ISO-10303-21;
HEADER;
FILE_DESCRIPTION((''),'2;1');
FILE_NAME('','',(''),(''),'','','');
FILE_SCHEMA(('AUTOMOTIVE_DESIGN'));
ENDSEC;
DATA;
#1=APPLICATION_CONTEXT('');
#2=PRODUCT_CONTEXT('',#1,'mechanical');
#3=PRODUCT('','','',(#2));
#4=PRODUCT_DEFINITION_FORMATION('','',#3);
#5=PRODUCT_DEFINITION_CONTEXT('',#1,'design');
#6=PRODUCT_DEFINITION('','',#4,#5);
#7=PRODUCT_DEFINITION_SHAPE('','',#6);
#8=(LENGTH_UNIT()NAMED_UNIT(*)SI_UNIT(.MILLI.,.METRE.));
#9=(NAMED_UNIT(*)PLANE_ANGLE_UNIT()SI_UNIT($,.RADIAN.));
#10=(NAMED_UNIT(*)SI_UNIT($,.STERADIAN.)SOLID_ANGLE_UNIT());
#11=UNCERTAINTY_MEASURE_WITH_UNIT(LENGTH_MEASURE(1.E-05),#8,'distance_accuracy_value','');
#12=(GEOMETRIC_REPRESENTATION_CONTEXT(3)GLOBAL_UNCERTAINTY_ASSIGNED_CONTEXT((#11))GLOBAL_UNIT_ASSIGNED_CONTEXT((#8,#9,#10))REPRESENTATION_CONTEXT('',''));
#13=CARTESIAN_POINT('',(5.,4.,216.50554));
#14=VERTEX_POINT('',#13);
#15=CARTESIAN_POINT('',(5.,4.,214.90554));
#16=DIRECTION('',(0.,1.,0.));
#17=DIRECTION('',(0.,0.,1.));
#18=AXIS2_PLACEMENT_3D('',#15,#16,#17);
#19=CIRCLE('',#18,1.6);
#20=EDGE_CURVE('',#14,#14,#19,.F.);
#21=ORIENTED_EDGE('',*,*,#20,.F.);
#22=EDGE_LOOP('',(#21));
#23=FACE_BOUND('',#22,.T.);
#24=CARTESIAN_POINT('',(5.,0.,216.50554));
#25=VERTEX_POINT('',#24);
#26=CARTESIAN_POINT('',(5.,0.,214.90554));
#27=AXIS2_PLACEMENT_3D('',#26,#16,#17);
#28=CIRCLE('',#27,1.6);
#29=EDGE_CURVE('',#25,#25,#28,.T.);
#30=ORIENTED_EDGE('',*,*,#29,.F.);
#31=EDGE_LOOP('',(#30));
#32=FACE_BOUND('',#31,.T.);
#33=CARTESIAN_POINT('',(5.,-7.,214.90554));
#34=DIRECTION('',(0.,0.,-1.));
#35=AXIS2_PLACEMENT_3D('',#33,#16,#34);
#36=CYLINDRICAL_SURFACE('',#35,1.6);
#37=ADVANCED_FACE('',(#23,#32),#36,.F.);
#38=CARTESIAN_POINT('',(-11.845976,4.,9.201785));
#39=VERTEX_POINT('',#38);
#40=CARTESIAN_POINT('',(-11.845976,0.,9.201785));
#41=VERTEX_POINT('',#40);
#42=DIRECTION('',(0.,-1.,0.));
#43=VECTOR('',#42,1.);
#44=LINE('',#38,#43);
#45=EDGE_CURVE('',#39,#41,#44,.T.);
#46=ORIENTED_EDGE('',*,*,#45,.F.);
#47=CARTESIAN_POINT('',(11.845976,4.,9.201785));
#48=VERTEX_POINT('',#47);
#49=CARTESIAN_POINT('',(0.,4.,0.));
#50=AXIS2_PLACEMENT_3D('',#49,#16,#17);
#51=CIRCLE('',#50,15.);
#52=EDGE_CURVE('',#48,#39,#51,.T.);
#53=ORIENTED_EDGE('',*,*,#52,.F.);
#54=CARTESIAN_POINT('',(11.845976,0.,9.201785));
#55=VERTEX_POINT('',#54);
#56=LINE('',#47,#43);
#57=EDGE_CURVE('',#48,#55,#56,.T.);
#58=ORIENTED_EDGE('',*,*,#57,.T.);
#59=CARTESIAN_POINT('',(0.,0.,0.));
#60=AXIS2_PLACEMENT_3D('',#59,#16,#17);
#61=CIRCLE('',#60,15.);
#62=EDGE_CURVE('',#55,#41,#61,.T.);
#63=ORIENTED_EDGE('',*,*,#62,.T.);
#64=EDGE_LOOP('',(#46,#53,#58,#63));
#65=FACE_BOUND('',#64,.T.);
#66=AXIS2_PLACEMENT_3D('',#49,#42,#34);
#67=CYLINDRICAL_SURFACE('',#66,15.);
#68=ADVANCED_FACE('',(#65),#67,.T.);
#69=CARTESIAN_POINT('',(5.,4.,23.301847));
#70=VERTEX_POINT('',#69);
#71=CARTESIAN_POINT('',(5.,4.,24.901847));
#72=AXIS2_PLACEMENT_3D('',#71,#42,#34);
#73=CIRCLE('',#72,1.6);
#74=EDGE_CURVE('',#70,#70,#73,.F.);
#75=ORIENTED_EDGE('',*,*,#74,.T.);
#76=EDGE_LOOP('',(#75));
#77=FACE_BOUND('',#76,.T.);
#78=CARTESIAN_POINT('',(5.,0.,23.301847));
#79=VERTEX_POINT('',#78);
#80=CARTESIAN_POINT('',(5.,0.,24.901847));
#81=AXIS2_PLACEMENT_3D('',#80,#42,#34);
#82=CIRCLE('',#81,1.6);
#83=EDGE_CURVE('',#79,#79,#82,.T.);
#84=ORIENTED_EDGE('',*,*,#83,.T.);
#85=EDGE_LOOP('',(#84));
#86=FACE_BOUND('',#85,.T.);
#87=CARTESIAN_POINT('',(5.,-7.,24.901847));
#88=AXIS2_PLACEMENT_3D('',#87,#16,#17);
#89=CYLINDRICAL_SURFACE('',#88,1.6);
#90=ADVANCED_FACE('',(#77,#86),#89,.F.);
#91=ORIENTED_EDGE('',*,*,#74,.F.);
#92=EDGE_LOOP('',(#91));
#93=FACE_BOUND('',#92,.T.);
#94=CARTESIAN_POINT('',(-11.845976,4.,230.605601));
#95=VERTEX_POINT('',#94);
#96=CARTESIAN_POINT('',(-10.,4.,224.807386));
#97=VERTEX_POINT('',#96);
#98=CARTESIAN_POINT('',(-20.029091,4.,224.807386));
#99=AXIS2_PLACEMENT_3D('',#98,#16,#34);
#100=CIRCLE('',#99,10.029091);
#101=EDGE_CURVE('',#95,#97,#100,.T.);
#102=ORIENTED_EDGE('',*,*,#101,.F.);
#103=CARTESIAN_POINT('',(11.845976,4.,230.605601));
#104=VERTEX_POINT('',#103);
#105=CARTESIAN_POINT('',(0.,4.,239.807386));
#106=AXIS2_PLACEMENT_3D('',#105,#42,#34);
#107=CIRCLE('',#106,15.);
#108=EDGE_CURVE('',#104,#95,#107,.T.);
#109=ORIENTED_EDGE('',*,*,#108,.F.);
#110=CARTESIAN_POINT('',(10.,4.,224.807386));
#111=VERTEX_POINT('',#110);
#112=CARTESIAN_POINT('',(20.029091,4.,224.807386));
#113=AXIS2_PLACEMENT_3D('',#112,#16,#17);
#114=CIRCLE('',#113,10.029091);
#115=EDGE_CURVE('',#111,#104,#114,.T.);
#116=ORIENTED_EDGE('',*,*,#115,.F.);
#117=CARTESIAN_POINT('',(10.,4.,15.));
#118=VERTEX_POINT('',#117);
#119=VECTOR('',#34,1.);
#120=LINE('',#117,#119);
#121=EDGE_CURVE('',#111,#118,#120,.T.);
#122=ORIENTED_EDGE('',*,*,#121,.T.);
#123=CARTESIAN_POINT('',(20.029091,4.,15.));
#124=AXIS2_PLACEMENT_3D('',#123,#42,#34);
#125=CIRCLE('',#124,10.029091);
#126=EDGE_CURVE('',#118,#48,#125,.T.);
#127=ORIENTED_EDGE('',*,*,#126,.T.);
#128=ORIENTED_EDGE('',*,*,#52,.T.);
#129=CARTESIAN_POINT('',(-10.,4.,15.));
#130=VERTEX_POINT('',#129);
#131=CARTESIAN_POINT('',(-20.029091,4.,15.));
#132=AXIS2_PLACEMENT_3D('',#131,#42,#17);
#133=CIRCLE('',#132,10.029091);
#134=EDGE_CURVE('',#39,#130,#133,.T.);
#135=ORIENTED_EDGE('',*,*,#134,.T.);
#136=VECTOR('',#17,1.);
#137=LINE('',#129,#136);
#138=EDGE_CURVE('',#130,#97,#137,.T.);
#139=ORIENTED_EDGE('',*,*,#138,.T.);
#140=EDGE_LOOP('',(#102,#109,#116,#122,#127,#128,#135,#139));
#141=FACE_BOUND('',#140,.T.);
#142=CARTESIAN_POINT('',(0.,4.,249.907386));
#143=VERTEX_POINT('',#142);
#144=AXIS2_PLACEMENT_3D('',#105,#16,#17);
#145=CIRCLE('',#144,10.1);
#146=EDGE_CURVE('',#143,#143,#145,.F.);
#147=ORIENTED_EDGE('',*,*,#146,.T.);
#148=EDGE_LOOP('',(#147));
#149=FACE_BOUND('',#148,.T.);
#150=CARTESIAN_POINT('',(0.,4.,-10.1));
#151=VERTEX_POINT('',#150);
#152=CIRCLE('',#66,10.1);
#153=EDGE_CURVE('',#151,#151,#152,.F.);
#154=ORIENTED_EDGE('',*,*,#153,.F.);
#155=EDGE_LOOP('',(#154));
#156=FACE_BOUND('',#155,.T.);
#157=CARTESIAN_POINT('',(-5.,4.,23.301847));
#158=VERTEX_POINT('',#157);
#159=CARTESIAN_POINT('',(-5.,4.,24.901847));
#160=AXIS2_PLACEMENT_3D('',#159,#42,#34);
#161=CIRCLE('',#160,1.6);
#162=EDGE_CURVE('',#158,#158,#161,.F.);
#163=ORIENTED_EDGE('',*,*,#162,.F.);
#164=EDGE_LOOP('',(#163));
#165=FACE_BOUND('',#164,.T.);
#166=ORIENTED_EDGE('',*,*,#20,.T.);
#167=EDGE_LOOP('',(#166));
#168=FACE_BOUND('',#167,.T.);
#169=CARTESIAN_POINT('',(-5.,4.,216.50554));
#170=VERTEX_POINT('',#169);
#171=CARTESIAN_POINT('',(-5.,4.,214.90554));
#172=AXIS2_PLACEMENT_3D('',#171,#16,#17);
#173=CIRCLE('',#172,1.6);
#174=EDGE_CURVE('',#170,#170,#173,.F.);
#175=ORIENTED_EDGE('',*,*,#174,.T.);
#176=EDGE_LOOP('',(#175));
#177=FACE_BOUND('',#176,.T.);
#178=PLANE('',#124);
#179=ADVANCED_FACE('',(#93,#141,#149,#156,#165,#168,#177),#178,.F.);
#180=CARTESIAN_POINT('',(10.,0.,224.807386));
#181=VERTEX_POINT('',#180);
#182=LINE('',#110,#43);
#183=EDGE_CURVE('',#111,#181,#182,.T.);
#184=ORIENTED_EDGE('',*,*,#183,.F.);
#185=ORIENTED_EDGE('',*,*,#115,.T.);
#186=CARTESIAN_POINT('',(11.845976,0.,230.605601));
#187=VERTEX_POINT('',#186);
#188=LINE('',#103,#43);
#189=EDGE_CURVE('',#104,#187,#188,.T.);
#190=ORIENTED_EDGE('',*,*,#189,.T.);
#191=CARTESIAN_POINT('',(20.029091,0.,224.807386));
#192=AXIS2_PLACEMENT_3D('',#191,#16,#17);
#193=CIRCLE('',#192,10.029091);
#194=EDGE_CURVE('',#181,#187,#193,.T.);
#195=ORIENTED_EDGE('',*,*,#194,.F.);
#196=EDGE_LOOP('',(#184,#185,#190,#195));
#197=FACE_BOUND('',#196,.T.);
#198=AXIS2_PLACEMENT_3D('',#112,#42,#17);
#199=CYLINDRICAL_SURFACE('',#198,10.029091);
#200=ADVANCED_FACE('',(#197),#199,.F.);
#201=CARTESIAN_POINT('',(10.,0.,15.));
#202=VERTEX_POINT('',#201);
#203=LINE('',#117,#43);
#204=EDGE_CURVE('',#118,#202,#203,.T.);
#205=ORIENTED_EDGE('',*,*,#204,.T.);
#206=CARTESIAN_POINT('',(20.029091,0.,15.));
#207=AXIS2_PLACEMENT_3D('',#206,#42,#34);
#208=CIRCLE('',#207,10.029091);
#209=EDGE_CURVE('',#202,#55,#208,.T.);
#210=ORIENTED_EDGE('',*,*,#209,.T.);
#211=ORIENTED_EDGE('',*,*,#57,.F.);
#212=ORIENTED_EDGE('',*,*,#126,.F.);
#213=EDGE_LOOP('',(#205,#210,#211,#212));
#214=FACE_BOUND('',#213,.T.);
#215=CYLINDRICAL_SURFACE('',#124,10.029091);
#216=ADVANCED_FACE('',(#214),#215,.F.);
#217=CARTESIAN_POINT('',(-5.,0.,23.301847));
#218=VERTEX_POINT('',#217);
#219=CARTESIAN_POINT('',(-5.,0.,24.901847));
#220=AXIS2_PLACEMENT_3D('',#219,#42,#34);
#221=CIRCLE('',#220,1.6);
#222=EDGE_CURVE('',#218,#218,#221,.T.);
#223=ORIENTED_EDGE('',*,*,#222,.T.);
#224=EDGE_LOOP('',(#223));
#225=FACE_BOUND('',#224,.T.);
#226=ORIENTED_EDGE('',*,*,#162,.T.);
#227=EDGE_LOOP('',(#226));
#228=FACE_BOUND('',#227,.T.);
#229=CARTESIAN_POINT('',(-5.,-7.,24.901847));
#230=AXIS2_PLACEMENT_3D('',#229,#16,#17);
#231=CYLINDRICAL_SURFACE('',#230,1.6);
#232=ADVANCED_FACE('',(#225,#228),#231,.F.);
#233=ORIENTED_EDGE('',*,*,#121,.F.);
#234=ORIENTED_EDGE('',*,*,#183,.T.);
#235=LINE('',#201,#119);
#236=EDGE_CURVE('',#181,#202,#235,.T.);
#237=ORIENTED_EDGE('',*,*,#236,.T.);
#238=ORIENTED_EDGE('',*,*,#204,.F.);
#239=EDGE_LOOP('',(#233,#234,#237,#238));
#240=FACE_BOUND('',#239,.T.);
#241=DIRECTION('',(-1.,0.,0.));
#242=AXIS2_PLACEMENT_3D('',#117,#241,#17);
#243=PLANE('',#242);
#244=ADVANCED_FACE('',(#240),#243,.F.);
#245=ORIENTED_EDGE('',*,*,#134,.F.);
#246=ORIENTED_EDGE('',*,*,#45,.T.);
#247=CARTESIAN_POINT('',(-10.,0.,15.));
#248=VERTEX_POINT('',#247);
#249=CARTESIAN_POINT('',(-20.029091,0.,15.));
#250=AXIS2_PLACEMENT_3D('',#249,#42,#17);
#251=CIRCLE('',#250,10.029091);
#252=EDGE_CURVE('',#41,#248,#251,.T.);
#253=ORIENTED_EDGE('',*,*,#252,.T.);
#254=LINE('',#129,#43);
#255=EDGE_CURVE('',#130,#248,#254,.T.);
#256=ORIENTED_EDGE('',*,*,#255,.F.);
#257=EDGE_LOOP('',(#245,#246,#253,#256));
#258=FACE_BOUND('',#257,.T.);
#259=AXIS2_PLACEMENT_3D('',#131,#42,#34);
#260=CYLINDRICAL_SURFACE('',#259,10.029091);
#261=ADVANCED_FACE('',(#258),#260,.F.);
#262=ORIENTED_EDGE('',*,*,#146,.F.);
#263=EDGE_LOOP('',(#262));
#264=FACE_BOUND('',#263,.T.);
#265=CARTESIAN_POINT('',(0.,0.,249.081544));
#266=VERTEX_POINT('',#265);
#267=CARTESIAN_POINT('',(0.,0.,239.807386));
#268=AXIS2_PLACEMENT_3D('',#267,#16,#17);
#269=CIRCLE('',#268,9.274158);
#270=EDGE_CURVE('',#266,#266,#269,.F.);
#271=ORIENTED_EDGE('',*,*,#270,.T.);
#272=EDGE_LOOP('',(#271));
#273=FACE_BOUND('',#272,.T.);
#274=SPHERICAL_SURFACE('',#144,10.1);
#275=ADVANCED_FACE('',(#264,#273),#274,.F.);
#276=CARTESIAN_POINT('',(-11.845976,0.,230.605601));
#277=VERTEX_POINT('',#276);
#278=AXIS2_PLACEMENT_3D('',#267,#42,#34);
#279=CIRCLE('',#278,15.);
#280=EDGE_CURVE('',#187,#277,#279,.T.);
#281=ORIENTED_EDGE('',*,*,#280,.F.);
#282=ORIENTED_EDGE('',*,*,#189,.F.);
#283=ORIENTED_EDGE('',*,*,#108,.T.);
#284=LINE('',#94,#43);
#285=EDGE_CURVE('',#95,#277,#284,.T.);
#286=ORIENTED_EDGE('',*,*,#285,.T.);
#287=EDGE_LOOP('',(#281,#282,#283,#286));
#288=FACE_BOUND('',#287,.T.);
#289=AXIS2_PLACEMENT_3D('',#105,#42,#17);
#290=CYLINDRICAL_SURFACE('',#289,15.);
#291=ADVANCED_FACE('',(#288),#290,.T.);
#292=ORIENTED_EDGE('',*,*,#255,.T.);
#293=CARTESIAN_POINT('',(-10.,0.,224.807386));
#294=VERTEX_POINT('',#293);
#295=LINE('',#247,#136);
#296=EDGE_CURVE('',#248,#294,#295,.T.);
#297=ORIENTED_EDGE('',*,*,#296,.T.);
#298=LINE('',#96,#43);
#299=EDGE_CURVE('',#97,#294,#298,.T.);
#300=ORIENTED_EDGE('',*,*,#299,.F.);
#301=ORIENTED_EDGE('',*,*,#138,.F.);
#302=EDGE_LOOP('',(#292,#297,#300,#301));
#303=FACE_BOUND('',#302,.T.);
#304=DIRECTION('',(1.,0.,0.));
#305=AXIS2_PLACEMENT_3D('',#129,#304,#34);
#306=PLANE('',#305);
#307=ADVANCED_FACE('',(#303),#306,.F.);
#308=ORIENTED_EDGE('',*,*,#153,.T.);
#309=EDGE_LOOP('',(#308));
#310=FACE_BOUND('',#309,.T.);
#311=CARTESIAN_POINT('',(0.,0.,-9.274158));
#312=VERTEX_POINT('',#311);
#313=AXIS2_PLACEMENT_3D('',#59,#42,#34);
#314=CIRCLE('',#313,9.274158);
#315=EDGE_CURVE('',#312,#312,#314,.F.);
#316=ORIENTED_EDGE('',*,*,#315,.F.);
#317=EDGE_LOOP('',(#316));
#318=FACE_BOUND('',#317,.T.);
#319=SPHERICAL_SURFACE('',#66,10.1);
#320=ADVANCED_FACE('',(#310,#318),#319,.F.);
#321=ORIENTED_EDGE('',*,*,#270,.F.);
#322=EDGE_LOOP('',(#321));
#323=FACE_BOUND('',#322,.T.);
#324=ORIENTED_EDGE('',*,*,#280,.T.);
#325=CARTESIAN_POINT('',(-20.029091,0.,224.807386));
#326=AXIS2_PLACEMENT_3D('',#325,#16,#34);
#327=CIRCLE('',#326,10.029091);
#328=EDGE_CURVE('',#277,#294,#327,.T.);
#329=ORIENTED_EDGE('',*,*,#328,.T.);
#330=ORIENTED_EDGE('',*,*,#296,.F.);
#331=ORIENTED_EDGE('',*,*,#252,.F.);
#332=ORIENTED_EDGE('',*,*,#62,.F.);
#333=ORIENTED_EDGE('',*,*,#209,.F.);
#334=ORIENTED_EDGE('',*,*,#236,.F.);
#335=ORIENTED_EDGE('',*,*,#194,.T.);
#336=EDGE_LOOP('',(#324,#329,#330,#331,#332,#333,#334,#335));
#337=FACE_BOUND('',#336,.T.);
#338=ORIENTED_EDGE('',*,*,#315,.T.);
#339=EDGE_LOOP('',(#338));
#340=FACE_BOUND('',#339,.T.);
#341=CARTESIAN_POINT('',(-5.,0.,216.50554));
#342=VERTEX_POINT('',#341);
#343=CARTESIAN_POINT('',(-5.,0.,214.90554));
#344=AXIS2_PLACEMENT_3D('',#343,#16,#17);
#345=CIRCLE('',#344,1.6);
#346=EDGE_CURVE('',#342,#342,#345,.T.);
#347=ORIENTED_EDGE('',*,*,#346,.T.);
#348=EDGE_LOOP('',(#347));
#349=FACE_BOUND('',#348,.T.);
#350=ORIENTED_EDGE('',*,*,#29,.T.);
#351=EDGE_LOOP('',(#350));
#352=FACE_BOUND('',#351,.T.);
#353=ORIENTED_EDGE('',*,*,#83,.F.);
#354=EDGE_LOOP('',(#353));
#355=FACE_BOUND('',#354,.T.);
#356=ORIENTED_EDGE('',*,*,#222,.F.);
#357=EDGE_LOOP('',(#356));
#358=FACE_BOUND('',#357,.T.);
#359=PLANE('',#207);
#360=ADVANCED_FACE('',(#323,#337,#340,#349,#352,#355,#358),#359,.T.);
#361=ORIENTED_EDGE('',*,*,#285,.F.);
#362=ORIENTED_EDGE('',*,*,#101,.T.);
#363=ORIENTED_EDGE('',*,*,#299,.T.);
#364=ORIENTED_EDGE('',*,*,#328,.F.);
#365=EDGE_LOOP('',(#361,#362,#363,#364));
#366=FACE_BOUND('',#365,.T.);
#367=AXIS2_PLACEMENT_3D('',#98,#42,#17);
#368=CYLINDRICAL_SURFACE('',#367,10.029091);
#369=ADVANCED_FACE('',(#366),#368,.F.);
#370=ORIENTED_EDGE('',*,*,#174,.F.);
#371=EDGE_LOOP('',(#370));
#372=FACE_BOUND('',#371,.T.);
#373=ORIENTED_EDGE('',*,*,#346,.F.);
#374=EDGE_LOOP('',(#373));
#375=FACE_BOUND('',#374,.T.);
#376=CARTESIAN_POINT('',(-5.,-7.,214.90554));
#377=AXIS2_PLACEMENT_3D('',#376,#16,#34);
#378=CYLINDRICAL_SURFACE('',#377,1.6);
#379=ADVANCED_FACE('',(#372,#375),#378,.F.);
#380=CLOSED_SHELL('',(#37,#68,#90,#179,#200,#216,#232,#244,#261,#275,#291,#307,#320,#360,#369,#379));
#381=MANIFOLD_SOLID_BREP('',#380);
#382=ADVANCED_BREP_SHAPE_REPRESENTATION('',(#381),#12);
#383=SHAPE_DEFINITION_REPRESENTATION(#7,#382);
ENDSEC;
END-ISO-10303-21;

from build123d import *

# Parameters (mm, degrees)
BOSS_EXTRUDE1_DEPTH = 4
CUT_EXTRUDE1_DEPTH  = 1
SKETCH4_R           = 1.6
CUT_EXTRUDE2_DEPTH  = 10
BOSS_EXTRUDE2_START = 1
SKETCH6_R           = 1.6
BOSS_EXTRUDE2_DEPTH = 1
SKETCH7_W           = 20
SKETCH7_H           = 4
BOSS_EXTRUDE3_DEPTH = 85.1


with BuildPart() as part:
    # Sketch1 → Boss-Extrude1 (new body)
    with BuildSketch(Plane(origin=(0, 0, 0), x_dir=(1, 0, 0), z_dir=(0, 1, 0))):
        with BuildLine():
            Line((-10, -15), (-10, -34.803693177))
            Line((-10, -34.803693177), (10, -34.803693177))
            Line((10, -34.803693177), (10, -15))
            ThreePointArc((10, -15), (10.472630633, -11.957512347), (11.845976177, -9.201785066))
            ThreePointArc((11.845976177, -9.201785066), (0, 15), (-11.845976177, -9.201785066))
            ThreePointArc((-11.845976177, -9.201785066), (-10.472630633, -11.957512347), (-10, -15))
        make_face()
    extrude(amount=BOSS_EXTRUDE1_DEPTH)

    # Sketch2 → Cut-Revolve1 (revolve, cut)
    with BuildSketch(Plane(origin=(0, 4, 0), x_dir=(1, 0, 0), z_dir=(0, 1, 0))):
        with BuildLine():
            Line((0, 10.1), (0, -10.1))
            ThreePointArc((0, -10.1), (10.1, 0), (0, 10.1))
        make_face()
    revolve(axis=Axis((0, 4, -10.1), (0, 0, 1)), mode=Mode.SUBTRACT)

    # Sketch3 → Cut-Extrude1 (cut)
    with BuildSketch(Plane(origin=(0, 4, 0), x_dir=(1, 0, 0), z_dir=(0, 1, 0))):
        with BuildLine():
            Line((10, -24.901846588), (10, -39.974302239))
            ThreePointArc((10, -39.974302239), (0, -49.974302239), (-10, -39.974302239))
            Line((-10, -39.974302239), (-10, -24.901846588))
            ThreePointArc((-10, -24.901846588), (0, -14.901846588), (10, -24.901846588))
        make_face()
    extrude(amount=-CUT_EXTRUDE1_DEPTH, mode=Mode.SUBTRACT)

    # Sketch4 → Cut-Extrude2 (cut)
    with BuildSketch(Plane(origin=(0, 3, 0), x_dir=(1, 0, 0), z_dir=(0, 1, 0))):
        with Locations(Location((5, -24.901846588, 0), (0, 0, 270))):
            Circle(SKETCH4_R)
        with Locations(Location((-5, -24.901846588, 0), (0, 0, 90))):
            Circle(SKETCH4_R)
    extrude(amount=-CUT_EXTRUDE2_DEPTH, mode=Mode.SUBTRACT)

    # Sketch6 → Boss-Extrude2 (add)
    with BuildSketch(Plane(origin=(0, 3, 0), x_dir=(1, 0, 0), z_dir=(0, 1, 0)).offset(BOSS_EXTRUDE2_START)):
        with BuildLine():
            Line((-10, -24.901846588), (-10, -34.803693177))
            Line((-10, -34.803693177), (10, -34.803693177))
            Line((10, -34.803693177), (10, -24.901846588))
            ThreePointArc((10, -24.901846588), (0, -14.901846588), (-10, -24.901846588))
        make_face()
        with Locations(Location((-5, -24.901846588, 0), (0, 0, 90))):
            Circle(SKETCH6_R, mode=Mode.SUBTRACT)
        with Locations(Location((5, -24.901846588, 0), (0, 0, 90))):
            Circle(SKETCH6_R, mode=Mode.SUBTRACT)
    extrude(amount=-BOSS_EXTRUDE2_DEPTH)

    # Sketch7 → Boss-Extrude3 (add)
    with BuildSketch(Plane.XY.offset(34.803693177)):
        with Locations((0, 2)):
            Rectangle(SKETCH7_W, SKETCH7_H)
    extrude(amount=BOSS_EXTRUDE3_DEPTH)

    # Mirror3: part across plane


with BuildPart() as part_1:
    add(part.part)
    add(part.part.mirror(Plane(origin=(0, 0, 119.903693177), x_dir=(1, 0, 0), z_dir=(0, 0, -1))))


solid = part_1.part
